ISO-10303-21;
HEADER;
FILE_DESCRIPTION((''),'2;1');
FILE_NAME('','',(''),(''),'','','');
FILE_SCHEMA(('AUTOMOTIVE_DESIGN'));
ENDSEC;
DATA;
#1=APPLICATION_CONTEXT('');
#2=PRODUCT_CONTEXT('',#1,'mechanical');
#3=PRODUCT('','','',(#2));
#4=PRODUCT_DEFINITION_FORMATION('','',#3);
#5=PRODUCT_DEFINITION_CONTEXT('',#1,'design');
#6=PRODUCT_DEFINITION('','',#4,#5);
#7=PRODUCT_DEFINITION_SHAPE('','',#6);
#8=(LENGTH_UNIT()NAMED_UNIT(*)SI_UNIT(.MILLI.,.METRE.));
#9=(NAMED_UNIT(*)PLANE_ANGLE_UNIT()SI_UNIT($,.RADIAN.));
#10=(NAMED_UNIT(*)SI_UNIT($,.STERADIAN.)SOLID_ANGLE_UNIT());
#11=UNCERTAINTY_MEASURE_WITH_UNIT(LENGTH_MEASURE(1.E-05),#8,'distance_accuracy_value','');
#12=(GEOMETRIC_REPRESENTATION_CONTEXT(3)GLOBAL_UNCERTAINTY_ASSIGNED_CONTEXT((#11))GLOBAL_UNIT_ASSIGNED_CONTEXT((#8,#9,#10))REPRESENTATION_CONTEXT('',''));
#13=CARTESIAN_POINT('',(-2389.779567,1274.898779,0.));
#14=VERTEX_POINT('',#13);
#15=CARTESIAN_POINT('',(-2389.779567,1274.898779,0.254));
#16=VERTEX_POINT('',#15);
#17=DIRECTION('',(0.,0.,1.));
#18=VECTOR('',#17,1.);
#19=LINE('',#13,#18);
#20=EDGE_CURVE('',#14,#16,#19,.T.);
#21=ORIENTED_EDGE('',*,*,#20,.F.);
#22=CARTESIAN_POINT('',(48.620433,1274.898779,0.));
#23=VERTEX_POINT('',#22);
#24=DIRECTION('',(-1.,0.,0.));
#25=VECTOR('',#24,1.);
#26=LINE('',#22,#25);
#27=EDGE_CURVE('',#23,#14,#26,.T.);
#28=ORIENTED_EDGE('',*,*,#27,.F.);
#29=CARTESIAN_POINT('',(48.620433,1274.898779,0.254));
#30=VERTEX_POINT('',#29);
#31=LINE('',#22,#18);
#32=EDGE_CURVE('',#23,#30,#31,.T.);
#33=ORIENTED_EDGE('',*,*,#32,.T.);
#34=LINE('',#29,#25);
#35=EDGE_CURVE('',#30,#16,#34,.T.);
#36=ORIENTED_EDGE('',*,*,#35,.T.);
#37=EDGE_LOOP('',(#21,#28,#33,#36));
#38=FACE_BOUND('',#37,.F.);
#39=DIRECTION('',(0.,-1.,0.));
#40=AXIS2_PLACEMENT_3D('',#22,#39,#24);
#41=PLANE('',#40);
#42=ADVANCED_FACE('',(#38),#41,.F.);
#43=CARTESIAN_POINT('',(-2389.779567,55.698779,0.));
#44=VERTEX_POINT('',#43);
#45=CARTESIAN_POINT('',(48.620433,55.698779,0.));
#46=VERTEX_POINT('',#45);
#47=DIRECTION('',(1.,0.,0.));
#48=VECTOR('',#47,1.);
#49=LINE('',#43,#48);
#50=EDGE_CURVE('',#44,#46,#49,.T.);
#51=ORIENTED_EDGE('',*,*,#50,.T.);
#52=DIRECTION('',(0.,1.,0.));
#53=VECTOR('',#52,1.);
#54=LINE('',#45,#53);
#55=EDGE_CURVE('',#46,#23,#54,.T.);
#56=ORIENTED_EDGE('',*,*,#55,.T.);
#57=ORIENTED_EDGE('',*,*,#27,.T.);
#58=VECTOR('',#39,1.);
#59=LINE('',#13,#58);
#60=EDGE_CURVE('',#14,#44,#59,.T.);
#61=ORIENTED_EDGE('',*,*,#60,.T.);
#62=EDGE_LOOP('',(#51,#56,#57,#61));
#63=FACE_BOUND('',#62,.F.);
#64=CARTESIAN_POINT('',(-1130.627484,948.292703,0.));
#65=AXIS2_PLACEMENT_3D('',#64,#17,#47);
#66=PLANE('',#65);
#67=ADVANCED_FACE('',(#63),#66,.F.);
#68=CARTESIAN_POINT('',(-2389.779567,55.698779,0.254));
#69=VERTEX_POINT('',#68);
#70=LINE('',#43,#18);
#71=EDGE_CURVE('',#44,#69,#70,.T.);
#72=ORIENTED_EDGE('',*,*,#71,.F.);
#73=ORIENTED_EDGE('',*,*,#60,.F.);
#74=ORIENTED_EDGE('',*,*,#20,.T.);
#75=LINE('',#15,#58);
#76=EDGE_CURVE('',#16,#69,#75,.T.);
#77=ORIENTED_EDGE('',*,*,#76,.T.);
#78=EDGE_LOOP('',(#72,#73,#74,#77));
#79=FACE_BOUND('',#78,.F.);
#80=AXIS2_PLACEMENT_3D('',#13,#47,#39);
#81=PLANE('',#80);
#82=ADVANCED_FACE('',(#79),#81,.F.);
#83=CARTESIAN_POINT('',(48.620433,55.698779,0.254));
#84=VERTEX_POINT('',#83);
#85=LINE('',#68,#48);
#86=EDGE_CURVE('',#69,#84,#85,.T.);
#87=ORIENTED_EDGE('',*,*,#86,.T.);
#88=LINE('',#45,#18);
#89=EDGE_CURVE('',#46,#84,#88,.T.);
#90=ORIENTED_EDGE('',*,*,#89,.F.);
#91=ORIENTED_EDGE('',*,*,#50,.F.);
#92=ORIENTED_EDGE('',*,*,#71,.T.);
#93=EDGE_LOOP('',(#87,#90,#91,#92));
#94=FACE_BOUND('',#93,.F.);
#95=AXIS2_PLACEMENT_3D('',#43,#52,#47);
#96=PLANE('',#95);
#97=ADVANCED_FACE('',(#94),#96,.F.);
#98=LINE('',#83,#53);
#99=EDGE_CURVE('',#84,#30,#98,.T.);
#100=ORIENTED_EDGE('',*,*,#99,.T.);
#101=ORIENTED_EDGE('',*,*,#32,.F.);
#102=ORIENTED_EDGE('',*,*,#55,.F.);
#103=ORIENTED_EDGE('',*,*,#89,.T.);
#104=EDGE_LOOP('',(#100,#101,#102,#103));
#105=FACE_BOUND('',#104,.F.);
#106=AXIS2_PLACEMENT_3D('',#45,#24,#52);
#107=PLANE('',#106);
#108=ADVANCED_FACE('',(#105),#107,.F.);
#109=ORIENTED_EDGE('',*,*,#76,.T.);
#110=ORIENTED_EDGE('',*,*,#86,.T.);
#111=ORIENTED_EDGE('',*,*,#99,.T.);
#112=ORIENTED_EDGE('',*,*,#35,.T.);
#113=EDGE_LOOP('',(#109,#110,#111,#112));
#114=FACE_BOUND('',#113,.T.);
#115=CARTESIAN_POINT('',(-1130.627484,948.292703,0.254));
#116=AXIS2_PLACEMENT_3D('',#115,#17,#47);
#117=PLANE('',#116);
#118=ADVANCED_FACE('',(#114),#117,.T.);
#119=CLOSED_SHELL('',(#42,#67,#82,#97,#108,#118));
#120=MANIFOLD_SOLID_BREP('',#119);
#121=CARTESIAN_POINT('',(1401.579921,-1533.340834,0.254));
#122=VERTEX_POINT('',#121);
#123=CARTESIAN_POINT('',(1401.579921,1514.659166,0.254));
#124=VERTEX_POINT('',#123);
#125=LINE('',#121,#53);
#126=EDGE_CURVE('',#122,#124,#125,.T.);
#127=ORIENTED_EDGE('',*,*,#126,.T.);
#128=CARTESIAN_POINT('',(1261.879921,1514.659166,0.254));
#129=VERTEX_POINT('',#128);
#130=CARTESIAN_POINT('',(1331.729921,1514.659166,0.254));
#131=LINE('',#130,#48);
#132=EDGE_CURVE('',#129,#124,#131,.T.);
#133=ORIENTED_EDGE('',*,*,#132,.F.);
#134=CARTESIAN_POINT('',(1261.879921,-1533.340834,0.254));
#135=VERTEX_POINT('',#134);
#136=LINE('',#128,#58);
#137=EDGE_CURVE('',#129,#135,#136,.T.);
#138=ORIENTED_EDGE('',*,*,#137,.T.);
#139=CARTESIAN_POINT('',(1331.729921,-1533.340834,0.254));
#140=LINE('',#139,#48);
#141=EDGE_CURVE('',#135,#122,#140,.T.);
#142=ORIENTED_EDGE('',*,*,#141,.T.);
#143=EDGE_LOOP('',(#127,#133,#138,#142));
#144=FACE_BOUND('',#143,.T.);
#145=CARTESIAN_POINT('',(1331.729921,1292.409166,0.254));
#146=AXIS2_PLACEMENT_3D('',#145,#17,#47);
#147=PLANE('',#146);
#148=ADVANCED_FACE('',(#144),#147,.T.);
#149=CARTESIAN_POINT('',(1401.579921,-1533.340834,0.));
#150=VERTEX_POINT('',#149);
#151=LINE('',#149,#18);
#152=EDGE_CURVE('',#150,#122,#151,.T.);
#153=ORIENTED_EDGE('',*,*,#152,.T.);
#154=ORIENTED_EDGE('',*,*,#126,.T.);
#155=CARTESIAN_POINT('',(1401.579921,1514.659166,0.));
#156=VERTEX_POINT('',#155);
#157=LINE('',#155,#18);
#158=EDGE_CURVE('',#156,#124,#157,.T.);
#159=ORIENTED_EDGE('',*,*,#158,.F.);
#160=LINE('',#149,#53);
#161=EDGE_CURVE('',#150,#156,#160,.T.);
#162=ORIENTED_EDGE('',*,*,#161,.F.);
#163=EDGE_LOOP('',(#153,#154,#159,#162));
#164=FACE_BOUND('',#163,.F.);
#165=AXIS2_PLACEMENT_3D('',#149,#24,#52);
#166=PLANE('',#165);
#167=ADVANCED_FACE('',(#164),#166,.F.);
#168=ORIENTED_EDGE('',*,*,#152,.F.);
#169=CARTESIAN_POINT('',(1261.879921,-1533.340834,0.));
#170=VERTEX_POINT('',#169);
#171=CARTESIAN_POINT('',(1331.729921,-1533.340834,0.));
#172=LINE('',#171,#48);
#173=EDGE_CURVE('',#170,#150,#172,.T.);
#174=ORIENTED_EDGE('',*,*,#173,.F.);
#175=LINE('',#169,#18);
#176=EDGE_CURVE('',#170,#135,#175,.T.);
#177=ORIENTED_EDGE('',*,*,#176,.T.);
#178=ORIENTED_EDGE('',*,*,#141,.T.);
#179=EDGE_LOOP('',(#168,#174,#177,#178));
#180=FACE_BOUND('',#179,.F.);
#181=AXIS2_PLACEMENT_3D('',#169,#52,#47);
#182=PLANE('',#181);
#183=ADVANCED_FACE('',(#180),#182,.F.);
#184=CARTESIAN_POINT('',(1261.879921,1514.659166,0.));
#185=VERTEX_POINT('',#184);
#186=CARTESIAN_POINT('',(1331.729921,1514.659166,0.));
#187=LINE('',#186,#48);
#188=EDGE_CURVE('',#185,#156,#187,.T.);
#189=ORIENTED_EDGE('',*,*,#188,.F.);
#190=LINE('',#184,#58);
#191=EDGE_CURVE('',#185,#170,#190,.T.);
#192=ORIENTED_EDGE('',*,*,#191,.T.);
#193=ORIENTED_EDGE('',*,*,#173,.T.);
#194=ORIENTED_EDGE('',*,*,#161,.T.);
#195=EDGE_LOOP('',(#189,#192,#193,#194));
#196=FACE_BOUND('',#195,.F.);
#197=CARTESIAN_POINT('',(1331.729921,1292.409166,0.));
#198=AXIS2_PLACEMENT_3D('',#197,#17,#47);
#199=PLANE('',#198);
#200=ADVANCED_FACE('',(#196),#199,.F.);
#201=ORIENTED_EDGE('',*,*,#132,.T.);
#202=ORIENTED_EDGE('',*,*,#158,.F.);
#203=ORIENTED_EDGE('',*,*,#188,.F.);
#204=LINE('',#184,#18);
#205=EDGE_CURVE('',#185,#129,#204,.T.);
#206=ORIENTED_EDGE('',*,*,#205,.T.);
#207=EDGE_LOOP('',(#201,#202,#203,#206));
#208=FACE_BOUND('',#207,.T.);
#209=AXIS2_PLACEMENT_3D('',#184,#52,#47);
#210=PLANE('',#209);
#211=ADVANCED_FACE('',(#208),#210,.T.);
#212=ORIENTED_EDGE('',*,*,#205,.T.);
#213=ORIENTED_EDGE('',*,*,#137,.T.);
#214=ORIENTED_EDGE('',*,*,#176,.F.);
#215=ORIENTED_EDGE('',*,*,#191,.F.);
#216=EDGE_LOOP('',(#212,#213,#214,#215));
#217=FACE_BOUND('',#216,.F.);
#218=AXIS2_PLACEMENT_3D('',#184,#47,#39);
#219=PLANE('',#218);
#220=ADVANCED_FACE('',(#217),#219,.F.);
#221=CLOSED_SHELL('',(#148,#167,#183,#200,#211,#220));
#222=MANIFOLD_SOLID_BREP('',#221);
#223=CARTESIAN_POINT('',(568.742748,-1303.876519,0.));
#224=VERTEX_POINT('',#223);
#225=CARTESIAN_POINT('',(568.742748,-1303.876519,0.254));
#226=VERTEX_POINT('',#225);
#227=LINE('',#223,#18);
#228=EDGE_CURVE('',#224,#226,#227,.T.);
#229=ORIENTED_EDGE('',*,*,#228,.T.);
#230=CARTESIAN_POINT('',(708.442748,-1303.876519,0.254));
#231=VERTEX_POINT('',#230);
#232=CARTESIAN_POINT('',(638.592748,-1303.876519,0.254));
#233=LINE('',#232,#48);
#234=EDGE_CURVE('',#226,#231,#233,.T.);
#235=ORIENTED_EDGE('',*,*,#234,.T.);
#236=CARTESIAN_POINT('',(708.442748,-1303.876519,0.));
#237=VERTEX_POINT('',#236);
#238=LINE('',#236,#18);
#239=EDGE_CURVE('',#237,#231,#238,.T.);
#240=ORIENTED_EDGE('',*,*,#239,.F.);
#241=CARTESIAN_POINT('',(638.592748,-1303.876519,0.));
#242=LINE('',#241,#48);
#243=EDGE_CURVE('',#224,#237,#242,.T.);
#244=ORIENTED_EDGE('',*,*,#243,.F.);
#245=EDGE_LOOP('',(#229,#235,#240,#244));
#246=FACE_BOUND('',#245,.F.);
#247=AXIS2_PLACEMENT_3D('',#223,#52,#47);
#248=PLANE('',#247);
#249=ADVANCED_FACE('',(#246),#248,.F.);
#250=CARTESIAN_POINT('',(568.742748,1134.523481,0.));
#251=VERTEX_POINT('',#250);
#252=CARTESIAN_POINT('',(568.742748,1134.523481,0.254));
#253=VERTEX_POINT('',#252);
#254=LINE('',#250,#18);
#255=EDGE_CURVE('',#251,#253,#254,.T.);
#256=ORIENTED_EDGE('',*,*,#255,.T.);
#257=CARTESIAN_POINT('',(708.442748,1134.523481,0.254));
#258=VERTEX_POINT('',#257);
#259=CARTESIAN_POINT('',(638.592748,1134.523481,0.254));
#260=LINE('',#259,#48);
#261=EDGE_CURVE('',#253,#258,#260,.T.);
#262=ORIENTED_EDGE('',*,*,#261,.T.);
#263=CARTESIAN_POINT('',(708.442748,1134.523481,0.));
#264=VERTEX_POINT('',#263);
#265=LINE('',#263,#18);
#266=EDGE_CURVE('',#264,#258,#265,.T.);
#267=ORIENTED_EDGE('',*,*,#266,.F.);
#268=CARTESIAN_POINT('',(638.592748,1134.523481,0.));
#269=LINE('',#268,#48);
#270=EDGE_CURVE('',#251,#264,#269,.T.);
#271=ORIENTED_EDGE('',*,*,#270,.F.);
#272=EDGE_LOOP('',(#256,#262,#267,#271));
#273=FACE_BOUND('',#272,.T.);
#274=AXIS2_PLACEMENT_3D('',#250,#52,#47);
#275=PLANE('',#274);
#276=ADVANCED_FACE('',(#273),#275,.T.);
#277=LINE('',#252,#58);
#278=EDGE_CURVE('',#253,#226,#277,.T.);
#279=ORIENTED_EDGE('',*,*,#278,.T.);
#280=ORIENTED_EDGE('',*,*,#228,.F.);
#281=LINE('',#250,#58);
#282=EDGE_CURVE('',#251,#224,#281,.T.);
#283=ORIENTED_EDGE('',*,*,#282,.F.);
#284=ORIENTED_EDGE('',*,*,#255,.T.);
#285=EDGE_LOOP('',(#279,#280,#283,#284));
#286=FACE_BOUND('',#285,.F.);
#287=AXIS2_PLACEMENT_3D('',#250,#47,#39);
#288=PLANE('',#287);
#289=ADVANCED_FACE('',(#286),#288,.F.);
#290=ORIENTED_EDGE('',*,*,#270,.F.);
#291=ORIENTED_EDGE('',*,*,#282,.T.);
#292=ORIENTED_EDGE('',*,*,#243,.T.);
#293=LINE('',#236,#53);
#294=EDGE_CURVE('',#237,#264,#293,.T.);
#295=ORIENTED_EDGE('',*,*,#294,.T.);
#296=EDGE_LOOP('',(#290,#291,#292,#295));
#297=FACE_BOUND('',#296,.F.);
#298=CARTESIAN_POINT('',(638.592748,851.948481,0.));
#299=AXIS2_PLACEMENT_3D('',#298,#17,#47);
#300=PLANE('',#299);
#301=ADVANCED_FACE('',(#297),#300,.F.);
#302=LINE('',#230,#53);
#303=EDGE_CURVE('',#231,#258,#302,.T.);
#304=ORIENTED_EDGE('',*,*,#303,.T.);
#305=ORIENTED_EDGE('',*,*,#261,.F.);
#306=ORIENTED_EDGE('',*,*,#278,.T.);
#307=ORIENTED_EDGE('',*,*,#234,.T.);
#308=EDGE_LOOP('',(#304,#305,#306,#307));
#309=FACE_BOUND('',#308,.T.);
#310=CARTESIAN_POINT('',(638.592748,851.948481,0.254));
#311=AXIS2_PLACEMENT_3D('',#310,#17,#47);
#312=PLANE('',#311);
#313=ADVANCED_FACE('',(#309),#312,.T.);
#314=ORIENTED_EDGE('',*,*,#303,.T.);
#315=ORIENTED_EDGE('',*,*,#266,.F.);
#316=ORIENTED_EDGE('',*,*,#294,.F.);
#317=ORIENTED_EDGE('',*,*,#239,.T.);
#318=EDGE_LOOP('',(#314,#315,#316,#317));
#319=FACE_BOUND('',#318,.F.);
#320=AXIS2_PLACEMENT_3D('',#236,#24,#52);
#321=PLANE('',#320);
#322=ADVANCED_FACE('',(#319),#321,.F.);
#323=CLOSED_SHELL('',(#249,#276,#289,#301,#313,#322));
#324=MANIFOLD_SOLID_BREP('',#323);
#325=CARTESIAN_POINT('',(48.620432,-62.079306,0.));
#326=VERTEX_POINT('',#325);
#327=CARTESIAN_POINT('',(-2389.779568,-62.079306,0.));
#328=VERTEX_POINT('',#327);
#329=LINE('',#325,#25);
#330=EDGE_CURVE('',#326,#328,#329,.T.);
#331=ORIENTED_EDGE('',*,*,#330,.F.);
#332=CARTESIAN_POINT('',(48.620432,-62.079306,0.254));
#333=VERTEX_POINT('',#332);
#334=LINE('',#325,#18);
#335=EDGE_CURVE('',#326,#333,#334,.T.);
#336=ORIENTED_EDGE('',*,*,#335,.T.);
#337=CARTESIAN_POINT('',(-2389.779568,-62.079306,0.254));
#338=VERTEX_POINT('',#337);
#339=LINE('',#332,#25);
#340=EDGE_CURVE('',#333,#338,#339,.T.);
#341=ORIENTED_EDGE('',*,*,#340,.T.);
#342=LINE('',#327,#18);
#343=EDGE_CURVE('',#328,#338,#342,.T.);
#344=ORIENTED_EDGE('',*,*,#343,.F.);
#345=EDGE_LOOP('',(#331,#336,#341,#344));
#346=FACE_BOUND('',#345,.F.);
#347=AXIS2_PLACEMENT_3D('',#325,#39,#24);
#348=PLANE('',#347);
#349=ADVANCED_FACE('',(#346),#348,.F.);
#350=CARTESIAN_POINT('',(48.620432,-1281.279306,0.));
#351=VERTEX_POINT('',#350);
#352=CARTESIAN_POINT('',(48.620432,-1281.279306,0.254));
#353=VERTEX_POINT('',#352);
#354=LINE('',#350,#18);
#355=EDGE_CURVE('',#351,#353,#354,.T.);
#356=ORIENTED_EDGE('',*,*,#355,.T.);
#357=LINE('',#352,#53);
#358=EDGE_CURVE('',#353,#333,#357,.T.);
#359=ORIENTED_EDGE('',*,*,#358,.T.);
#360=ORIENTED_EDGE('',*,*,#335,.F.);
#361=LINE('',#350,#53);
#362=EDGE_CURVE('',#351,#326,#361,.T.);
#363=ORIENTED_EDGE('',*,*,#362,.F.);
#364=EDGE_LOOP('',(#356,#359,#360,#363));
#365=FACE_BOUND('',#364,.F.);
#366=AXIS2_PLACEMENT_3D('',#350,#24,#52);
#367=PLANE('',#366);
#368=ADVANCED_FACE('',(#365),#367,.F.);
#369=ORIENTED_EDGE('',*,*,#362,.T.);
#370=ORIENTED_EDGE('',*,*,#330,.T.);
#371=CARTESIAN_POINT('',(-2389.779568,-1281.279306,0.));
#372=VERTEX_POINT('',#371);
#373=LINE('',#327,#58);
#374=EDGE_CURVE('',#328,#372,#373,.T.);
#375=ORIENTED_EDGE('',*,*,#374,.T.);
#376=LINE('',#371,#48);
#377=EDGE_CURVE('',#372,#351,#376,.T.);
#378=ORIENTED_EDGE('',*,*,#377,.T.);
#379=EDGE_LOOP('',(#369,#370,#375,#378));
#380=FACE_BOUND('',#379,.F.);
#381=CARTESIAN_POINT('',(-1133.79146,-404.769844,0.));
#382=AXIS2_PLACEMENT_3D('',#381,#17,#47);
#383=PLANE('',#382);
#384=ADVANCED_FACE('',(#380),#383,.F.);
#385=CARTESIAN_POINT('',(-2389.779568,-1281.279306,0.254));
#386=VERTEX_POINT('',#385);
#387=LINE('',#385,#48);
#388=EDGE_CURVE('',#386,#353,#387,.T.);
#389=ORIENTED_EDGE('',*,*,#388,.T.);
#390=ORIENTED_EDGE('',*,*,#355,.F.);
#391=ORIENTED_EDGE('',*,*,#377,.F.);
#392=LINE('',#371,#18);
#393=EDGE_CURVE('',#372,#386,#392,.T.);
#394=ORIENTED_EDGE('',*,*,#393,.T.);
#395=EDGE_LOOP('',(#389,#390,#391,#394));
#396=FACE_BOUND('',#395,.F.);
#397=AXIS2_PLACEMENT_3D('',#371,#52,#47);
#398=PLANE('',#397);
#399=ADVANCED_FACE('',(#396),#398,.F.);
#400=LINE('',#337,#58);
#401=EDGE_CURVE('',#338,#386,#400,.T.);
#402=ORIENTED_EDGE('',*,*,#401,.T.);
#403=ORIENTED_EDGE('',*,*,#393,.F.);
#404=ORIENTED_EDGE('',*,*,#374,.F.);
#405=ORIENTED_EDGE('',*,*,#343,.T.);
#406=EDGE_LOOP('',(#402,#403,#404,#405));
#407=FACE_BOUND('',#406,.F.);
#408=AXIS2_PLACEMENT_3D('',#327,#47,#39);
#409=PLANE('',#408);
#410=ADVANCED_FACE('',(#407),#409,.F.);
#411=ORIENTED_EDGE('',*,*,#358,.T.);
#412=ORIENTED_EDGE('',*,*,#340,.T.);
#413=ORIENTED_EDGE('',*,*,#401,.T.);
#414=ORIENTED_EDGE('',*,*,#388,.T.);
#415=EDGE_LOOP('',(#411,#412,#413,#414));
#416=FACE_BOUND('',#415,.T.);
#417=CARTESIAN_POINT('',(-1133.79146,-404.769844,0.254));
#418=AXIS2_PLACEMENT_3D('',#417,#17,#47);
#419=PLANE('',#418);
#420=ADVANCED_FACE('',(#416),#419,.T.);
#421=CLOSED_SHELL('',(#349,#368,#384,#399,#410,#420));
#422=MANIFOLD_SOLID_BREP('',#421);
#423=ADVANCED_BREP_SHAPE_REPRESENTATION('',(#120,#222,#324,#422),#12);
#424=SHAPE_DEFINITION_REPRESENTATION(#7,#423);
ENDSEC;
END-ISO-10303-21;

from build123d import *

# Parameters (mm, degrees)
F0_W     = 615.95
F0_H     = 958.85
F0_W_2   = 927.1
F0_H_2   = 901.7
F0_W_3   = 933.45
F0_W_4   = 139.7
F0_H_3   = 565.15
F0_H_4   = 177.8
F0_H_5   = 444.5
F0_H_6   = 933.45
F0_H_7   = 292.1
F1_DEPTH = 0.254


with BuildPart() as f1:
    # F0 (on Top) → F1 (new body)
    with BuildSketch(Plane.XY):
        Polygon((48.620433, 1274.898779), (-2389.779567, 1274.898779), (-2389.779567, 1014.548779), (-1773.829567, 1014.548779), (-1157.879567, 1014.548779), (-1157.879567, 55.698779), (-878.479567, 55.698779), (-878.479567, 1014.548779), (48.620433, 1014.548779), align=None)
        with Locations((-2081.804567, 535.123779)):
            Rectangle(F0_W, F0_H)
        with Locations((-414.929567, 535.123779)):
            Rectangle(F0_W_2, F0_H)
        with Locations((-1465.854567, 535.123779)):
            Rectangle(F0_W, F0_H)
        Polygon((48.620432, -62.079306), (-2389.779568, -62.079306), (-2389.779568, -379.579306), (-1773.829568, -379.579306), (-1157.879568, -379.579306), (-1157.879568, -1281.279306), (-884.829568, -1281.279306), (-884.829568, -379.579306), (48.620432, -379.579306), align=None)
        with Locations((-2081.804568, -830.429306)):
            Rectangle(F0_W, F0_H_2)
        with Locations((-418.104568, -830.429306)):
            Rectangle(F0_W_3, F0_H_2)
        with Locations((-1465.854568, -830.429306)):
            Rectangle(F0_W, F0_H_2)
        with Locations((638.592748, 851.948481)):
            Rectangle(F0_W_4, F0_H_3)
        with Locations((638.592748, 286.798481)):
            Rectangle(F0_W_4, F0_H_3)
        with Locations((638.592748, -278.351519)):
            Rectangle(F0_W_4, F0_H_3)
        with Locations((638.592748, -843.501519)):
            Rectangle(F0_W_4, F0_H_3)
        with Locations((638.592748, -1214.976519)):
            Rectangle(F0_W_4, F0_H_4)
        with Locations((1331.729921, 1292.409166)):
            Rectangle(F0_W_4, F0_H_5)
        with Locations((1331.729921, 847.909166)):
            Rectangle(F0_W_4, F0_H_5)
        with Locations((1331.729921, 158.934166)):
            Rectangle(F0_W_4, F0_H_6)
        with Locations((1331.729921, -774.515834)):
            Rectangle(F0_W_4, F0_H_6)
        with Locations((1331.729921, -1387.290834)):
            Rectangle(F0_W_4, F0_H_7)
    extrude(amount=F1_DEPTH)


solid = f1.part
